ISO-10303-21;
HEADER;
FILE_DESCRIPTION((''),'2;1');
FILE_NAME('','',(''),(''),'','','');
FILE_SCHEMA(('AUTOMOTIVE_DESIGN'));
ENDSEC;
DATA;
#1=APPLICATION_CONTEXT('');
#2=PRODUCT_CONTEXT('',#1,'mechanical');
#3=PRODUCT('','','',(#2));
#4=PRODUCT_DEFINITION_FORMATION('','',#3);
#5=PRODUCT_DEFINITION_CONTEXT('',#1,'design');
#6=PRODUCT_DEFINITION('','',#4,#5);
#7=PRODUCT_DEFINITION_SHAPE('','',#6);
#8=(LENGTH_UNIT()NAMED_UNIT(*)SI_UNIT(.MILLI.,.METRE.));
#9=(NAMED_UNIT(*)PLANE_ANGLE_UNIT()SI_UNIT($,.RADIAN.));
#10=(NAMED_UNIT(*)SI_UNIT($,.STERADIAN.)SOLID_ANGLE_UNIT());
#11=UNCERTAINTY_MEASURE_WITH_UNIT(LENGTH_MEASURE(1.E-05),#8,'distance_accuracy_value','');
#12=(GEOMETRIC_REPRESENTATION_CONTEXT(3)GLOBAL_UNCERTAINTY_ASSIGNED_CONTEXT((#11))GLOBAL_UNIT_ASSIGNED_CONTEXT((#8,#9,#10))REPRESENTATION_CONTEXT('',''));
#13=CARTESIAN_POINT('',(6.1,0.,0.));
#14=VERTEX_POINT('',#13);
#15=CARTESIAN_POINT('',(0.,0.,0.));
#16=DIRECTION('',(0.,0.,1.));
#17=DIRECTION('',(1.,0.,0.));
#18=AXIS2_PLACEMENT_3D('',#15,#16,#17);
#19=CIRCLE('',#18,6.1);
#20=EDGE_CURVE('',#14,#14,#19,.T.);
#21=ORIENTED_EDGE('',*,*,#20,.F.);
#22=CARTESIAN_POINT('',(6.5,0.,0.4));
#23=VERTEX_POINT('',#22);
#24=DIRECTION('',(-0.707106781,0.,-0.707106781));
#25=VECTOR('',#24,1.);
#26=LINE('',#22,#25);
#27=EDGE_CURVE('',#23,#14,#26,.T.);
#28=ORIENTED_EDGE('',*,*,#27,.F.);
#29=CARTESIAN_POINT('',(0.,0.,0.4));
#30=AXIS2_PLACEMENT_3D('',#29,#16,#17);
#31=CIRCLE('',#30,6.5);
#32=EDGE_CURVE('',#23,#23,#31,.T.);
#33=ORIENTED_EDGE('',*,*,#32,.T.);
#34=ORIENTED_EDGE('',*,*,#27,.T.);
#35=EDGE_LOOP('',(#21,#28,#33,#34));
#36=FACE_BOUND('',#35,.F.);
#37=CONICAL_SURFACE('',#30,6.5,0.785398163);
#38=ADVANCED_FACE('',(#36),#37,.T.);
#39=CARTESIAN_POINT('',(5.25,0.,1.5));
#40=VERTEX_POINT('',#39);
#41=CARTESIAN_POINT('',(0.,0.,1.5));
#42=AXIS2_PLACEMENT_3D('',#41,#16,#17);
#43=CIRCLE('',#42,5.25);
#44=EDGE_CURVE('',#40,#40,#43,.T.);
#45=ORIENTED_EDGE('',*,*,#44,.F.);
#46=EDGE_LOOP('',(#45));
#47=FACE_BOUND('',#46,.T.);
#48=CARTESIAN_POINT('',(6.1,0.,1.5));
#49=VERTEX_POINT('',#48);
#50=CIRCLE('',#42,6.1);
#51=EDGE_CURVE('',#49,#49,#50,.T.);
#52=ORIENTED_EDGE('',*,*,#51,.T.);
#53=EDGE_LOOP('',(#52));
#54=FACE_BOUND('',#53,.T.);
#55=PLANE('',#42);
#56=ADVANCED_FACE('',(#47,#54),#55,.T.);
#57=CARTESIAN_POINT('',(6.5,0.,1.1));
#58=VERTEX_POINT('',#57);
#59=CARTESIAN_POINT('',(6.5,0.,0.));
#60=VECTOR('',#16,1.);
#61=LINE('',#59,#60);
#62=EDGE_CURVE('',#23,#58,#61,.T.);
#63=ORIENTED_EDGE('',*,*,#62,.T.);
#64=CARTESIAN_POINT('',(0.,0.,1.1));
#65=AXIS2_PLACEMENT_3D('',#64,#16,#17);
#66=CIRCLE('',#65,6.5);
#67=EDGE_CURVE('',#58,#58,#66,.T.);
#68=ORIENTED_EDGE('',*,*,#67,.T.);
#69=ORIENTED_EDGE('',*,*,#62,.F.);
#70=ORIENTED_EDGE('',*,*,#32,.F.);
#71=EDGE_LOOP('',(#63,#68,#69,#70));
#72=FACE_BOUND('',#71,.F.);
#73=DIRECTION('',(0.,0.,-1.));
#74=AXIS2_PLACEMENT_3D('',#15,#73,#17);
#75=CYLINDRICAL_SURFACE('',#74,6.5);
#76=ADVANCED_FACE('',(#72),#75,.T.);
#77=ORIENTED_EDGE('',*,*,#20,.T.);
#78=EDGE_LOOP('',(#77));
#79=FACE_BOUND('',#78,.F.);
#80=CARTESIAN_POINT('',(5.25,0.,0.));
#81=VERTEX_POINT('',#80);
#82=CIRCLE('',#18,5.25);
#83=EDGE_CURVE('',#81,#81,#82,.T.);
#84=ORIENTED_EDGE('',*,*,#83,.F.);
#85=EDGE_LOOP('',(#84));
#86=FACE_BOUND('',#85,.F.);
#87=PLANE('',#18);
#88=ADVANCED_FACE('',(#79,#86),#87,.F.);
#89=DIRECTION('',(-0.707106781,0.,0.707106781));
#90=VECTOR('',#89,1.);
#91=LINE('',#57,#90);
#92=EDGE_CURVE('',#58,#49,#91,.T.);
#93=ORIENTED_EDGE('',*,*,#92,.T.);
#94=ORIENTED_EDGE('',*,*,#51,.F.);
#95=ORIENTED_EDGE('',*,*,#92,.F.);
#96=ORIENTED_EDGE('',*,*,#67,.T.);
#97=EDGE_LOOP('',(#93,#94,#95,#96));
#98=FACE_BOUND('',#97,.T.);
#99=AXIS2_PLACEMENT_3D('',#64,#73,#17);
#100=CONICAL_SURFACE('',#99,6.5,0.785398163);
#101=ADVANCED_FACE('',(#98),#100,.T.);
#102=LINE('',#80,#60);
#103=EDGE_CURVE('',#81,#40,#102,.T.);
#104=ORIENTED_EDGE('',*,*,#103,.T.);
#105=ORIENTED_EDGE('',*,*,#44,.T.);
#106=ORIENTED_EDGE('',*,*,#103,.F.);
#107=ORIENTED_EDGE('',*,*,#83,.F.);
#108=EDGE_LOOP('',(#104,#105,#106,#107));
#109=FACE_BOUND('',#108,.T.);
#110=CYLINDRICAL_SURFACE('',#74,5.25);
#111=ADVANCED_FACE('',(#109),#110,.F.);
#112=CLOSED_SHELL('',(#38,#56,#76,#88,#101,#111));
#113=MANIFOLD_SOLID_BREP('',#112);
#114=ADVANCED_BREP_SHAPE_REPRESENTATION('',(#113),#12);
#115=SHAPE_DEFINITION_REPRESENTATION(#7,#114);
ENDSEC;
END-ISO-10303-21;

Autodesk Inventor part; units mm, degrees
ref_plane "YZ Plane" through (0, 0, 0) normal (1, 0, 0) x (0, 1, 0)
ref_plane "XZ Plane" through (0, 0, 0) normal (0, 1, 0) x (-1, 0, 0)
ref_plane "XY Plane" through (0, 0, 0) normal (0, 0, 1) x (1, 0, 0)
sketch "スケッチ1" plane through (0, 0, 0) normal (0, 0, 1) x (1, 0, 0)
  circle A0 centre (0, 0) radius 5.25
  circle A1 centre (0, 0) radius 6.5
  dimension "d0" = 10.5
  dimension "d1" = 13
extrude "押し出し1" add sketch "スケッチ1" along normal blind 1.5
chamfer "面取り1" distance 0.4 angle 45 2 edges at (-6.5, 0, 1.5) (-6.5, 0, 0)
properties part number "出力ピンベアリングスペーサ2"
